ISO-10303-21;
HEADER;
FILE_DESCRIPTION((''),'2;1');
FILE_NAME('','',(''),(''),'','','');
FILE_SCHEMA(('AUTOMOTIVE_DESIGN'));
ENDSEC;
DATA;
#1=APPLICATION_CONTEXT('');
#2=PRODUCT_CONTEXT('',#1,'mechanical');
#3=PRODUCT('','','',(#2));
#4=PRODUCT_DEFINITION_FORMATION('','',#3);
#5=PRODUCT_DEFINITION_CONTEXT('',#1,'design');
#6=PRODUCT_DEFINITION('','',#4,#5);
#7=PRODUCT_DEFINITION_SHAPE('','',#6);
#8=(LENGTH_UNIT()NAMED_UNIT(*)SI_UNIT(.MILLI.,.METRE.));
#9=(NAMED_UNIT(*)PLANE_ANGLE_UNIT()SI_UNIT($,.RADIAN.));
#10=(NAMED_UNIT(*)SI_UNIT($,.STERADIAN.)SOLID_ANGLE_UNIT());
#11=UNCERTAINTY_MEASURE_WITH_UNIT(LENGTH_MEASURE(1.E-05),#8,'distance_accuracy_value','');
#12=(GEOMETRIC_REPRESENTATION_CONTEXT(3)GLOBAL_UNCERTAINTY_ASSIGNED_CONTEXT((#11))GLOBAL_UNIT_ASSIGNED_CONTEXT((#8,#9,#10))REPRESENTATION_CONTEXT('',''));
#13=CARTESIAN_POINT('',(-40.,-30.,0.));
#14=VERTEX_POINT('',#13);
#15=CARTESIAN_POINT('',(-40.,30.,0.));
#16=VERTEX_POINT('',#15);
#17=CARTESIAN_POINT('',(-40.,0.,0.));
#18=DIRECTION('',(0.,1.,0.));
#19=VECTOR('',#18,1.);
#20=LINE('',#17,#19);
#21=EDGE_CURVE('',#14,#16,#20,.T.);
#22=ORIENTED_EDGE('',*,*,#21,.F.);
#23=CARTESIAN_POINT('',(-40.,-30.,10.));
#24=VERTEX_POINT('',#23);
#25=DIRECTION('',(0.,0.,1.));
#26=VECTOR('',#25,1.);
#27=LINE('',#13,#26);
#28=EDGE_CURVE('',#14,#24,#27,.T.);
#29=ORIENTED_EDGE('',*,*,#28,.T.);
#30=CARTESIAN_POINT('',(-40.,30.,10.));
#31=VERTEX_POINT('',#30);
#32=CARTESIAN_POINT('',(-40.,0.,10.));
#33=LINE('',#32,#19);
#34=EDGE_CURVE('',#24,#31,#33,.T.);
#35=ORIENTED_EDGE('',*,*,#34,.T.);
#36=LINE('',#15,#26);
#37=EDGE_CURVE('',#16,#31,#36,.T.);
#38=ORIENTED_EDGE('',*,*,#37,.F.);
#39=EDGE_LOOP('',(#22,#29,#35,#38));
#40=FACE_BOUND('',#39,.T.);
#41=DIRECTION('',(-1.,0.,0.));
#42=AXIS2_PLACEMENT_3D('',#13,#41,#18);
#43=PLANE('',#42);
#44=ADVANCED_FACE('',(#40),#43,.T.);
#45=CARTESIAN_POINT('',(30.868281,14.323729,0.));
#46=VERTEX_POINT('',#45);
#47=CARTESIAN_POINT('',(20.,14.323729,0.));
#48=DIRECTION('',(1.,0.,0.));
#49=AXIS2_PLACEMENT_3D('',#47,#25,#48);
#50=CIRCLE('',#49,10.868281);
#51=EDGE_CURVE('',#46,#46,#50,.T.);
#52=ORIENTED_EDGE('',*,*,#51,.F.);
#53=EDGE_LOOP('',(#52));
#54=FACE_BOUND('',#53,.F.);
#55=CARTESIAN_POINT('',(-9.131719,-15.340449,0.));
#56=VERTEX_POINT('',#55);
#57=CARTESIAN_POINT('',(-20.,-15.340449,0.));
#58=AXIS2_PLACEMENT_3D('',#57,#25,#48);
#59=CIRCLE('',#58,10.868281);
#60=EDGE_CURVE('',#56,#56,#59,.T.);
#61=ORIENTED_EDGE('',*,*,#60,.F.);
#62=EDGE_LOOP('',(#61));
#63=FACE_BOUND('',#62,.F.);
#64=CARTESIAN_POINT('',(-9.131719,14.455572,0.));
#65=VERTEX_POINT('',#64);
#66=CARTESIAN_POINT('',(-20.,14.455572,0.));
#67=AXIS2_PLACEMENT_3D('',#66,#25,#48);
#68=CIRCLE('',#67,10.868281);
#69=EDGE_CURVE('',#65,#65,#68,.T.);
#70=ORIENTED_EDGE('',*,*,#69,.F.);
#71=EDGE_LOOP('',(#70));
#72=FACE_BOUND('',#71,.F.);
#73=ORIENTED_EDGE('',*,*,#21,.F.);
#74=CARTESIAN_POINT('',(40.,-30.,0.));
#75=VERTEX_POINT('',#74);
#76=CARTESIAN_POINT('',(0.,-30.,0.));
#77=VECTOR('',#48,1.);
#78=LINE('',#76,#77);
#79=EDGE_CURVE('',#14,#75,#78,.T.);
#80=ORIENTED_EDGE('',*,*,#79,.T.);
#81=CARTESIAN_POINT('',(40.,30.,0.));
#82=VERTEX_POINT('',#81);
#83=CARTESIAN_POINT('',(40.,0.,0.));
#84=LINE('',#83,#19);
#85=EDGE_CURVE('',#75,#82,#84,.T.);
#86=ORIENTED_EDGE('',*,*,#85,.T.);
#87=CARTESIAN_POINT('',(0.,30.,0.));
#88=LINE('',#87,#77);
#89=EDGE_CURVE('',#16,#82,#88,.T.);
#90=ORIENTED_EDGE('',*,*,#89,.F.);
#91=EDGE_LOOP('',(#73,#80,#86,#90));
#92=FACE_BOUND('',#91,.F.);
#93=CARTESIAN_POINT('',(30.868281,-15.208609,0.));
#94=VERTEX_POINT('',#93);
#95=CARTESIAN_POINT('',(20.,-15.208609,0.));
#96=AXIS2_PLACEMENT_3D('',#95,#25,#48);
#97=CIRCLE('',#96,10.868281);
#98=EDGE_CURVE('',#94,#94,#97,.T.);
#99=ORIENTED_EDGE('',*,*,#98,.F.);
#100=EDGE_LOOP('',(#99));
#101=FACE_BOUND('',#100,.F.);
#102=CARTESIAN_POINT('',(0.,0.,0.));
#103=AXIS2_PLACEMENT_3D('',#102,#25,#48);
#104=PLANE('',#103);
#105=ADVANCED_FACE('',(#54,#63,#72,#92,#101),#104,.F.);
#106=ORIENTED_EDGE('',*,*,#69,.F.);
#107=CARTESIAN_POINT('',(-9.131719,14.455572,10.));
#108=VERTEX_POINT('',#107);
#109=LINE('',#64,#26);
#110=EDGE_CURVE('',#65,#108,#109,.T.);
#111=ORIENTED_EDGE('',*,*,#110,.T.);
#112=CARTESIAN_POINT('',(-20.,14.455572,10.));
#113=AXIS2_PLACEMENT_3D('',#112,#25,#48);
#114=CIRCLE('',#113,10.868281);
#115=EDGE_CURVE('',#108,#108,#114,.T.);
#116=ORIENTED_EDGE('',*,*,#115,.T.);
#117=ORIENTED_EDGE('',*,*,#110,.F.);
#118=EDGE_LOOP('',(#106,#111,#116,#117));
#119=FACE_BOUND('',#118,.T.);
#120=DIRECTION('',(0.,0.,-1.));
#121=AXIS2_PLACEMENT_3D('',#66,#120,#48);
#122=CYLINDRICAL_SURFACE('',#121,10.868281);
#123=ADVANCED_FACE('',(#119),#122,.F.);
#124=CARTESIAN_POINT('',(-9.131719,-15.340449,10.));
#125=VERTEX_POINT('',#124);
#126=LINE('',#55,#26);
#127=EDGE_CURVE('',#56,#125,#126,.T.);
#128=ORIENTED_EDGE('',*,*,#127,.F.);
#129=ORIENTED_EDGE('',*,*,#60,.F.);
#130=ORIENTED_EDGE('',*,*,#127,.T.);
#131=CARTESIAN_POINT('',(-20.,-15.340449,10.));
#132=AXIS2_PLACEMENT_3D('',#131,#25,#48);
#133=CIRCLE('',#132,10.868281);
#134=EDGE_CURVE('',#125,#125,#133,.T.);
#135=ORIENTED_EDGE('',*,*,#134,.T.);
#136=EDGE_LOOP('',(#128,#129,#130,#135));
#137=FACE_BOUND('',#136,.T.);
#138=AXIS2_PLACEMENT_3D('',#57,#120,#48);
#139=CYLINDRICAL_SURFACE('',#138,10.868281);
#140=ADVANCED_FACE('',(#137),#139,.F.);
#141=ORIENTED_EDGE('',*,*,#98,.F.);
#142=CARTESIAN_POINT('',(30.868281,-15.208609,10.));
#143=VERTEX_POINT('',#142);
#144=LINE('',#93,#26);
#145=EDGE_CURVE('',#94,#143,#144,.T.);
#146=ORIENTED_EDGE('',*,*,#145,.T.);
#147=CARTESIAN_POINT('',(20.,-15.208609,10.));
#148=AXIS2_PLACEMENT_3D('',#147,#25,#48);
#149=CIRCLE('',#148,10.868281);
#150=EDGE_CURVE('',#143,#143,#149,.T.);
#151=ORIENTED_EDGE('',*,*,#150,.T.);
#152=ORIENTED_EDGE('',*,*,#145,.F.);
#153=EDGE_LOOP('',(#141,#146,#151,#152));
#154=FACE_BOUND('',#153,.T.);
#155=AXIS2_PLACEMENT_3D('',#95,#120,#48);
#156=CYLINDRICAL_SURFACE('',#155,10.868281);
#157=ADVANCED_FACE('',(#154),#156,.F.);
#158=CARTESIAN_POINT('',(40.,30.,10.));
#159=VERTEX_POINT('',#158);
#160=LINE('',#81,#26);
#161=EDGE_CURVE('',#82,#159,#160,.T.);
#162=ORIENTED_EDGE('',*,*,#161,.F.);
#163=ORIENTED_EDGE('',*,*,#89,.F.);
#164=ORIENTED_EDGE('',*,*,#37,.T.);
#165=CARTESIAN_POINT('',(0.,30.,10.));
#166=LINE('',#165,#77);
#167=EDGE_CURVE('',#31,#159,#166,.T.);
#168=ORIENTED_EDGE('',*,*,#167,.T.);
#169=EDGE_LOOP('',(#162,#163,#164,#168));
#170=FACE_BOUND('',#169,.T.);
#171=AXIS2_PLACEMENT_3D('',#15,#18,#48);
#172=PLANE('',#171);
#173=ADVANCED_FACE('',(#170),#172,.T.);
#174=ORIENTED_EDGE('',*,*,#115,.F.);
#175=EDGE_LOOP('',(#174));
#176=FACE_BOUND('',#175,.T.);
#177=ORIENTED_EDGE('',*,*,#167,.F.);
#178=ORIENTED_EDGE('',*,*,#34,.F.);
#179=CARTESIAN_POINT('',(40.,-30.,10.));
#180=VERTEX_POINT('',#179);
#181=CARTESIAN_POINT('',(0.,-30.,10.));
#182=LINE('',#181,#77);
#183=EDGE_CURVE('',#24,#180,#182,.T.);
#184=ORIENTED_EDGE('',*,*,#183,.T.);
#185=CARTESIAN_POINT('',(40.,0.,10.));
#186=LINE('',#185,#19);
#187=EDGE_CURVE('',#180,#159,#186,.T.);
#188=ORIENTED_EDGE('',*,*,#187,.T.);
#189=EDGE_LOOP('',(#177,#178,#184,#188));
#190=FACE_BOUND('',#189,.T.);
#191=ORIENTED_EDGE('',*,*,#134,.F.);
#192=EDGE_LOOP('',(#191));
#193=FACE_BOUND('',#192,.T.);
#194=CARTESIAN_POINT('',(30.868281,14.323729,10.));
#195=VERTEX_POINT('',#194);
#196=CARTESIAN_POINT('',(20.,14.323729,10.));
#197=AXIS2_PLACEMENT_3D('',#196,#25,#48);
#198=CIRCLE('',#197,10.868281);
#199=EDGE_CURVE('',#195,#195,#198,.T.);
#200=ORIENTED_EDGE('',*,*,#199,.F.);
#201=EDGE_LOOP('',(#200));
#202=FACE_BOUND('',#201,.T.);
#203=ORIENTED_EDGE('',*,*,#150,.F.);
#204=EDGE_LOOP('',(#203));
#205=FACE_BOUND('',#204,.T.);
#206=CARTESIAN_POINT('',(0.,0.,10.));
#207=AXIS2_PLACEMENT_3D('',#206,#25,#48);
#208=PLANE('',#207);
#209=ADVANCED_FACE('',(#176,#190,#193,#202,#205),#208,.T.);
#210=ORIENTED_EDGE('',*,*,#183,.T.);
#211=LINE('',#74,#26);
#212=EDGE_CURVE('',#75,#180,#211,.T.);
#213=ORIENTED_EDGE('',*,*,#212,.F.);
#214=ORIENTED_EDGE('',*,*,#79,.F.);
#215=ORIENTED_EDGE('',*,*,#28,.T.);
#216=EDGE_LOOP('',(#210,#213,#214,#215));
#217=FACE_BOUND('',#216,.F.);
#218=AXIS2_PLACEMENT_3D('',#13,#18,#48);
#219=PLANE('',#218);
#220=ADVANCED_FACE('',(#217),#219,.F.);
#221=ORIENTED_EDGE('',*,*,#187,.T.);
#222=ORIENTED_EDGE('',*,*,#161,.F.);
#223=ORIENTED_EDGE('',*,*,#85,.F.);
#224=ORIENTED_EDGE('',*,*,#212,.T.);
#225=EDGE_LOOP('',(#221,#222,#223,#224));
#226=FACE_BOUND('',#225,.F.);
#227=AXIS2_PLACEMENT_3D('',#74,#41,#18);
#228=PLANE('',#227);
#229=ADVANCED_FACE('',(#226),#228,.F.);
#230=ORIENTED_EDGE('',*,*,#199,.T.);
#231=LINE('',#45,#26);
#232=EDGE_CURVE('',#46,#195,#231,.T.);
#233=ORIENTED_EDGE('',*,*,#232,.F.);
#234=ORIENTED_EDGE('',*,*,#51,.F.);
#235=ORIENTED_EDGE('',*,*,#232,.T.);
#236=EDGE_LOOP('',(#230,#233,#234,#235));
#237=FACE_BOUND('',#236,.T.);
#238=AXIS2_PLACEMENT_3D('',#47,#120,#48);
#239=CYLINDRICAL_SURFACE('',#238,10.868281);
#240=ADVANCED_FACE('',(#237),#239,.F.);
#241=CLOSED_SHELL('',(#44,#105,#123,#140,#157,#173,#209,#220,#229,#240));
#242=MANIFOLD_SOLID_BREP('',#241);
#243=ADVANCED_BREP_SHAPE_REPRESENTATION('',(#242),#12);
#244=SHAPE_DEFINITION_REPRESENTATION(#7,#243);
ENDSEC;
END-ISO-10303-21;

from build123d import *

# Parameters (mm, degrees)
SKETCH_W  = 80
SKETCH_H  = 60
SKETCH_R  = 10.868281
PAD_DEPTH = 10


with BuildPart() as part:
    # Sketch → Pad (new body)
    with BuildSketch(Plane.XY):
        Rectangle(SKETCH_W, SKETCH_H)
        with Locations((20, 14.323729)):
            Circle(SKETCH_R, mode=Mode.SUBTRACT)
        with Locations((20, -15.208609)):
            Circle(SKETCH_R, mode=Mode.SUBTRACT)
        with Locations((-20, 14.455572)):
            Circle(SKETCH_R, mode=Mode.SUBTRACT)
        with Locations((-20, -15.340449)):
            Circle(SKETCH_R, mode=Mode.SUBTRACT)
    extrude(amount=PAD_DEPTH)


solid = part.part
